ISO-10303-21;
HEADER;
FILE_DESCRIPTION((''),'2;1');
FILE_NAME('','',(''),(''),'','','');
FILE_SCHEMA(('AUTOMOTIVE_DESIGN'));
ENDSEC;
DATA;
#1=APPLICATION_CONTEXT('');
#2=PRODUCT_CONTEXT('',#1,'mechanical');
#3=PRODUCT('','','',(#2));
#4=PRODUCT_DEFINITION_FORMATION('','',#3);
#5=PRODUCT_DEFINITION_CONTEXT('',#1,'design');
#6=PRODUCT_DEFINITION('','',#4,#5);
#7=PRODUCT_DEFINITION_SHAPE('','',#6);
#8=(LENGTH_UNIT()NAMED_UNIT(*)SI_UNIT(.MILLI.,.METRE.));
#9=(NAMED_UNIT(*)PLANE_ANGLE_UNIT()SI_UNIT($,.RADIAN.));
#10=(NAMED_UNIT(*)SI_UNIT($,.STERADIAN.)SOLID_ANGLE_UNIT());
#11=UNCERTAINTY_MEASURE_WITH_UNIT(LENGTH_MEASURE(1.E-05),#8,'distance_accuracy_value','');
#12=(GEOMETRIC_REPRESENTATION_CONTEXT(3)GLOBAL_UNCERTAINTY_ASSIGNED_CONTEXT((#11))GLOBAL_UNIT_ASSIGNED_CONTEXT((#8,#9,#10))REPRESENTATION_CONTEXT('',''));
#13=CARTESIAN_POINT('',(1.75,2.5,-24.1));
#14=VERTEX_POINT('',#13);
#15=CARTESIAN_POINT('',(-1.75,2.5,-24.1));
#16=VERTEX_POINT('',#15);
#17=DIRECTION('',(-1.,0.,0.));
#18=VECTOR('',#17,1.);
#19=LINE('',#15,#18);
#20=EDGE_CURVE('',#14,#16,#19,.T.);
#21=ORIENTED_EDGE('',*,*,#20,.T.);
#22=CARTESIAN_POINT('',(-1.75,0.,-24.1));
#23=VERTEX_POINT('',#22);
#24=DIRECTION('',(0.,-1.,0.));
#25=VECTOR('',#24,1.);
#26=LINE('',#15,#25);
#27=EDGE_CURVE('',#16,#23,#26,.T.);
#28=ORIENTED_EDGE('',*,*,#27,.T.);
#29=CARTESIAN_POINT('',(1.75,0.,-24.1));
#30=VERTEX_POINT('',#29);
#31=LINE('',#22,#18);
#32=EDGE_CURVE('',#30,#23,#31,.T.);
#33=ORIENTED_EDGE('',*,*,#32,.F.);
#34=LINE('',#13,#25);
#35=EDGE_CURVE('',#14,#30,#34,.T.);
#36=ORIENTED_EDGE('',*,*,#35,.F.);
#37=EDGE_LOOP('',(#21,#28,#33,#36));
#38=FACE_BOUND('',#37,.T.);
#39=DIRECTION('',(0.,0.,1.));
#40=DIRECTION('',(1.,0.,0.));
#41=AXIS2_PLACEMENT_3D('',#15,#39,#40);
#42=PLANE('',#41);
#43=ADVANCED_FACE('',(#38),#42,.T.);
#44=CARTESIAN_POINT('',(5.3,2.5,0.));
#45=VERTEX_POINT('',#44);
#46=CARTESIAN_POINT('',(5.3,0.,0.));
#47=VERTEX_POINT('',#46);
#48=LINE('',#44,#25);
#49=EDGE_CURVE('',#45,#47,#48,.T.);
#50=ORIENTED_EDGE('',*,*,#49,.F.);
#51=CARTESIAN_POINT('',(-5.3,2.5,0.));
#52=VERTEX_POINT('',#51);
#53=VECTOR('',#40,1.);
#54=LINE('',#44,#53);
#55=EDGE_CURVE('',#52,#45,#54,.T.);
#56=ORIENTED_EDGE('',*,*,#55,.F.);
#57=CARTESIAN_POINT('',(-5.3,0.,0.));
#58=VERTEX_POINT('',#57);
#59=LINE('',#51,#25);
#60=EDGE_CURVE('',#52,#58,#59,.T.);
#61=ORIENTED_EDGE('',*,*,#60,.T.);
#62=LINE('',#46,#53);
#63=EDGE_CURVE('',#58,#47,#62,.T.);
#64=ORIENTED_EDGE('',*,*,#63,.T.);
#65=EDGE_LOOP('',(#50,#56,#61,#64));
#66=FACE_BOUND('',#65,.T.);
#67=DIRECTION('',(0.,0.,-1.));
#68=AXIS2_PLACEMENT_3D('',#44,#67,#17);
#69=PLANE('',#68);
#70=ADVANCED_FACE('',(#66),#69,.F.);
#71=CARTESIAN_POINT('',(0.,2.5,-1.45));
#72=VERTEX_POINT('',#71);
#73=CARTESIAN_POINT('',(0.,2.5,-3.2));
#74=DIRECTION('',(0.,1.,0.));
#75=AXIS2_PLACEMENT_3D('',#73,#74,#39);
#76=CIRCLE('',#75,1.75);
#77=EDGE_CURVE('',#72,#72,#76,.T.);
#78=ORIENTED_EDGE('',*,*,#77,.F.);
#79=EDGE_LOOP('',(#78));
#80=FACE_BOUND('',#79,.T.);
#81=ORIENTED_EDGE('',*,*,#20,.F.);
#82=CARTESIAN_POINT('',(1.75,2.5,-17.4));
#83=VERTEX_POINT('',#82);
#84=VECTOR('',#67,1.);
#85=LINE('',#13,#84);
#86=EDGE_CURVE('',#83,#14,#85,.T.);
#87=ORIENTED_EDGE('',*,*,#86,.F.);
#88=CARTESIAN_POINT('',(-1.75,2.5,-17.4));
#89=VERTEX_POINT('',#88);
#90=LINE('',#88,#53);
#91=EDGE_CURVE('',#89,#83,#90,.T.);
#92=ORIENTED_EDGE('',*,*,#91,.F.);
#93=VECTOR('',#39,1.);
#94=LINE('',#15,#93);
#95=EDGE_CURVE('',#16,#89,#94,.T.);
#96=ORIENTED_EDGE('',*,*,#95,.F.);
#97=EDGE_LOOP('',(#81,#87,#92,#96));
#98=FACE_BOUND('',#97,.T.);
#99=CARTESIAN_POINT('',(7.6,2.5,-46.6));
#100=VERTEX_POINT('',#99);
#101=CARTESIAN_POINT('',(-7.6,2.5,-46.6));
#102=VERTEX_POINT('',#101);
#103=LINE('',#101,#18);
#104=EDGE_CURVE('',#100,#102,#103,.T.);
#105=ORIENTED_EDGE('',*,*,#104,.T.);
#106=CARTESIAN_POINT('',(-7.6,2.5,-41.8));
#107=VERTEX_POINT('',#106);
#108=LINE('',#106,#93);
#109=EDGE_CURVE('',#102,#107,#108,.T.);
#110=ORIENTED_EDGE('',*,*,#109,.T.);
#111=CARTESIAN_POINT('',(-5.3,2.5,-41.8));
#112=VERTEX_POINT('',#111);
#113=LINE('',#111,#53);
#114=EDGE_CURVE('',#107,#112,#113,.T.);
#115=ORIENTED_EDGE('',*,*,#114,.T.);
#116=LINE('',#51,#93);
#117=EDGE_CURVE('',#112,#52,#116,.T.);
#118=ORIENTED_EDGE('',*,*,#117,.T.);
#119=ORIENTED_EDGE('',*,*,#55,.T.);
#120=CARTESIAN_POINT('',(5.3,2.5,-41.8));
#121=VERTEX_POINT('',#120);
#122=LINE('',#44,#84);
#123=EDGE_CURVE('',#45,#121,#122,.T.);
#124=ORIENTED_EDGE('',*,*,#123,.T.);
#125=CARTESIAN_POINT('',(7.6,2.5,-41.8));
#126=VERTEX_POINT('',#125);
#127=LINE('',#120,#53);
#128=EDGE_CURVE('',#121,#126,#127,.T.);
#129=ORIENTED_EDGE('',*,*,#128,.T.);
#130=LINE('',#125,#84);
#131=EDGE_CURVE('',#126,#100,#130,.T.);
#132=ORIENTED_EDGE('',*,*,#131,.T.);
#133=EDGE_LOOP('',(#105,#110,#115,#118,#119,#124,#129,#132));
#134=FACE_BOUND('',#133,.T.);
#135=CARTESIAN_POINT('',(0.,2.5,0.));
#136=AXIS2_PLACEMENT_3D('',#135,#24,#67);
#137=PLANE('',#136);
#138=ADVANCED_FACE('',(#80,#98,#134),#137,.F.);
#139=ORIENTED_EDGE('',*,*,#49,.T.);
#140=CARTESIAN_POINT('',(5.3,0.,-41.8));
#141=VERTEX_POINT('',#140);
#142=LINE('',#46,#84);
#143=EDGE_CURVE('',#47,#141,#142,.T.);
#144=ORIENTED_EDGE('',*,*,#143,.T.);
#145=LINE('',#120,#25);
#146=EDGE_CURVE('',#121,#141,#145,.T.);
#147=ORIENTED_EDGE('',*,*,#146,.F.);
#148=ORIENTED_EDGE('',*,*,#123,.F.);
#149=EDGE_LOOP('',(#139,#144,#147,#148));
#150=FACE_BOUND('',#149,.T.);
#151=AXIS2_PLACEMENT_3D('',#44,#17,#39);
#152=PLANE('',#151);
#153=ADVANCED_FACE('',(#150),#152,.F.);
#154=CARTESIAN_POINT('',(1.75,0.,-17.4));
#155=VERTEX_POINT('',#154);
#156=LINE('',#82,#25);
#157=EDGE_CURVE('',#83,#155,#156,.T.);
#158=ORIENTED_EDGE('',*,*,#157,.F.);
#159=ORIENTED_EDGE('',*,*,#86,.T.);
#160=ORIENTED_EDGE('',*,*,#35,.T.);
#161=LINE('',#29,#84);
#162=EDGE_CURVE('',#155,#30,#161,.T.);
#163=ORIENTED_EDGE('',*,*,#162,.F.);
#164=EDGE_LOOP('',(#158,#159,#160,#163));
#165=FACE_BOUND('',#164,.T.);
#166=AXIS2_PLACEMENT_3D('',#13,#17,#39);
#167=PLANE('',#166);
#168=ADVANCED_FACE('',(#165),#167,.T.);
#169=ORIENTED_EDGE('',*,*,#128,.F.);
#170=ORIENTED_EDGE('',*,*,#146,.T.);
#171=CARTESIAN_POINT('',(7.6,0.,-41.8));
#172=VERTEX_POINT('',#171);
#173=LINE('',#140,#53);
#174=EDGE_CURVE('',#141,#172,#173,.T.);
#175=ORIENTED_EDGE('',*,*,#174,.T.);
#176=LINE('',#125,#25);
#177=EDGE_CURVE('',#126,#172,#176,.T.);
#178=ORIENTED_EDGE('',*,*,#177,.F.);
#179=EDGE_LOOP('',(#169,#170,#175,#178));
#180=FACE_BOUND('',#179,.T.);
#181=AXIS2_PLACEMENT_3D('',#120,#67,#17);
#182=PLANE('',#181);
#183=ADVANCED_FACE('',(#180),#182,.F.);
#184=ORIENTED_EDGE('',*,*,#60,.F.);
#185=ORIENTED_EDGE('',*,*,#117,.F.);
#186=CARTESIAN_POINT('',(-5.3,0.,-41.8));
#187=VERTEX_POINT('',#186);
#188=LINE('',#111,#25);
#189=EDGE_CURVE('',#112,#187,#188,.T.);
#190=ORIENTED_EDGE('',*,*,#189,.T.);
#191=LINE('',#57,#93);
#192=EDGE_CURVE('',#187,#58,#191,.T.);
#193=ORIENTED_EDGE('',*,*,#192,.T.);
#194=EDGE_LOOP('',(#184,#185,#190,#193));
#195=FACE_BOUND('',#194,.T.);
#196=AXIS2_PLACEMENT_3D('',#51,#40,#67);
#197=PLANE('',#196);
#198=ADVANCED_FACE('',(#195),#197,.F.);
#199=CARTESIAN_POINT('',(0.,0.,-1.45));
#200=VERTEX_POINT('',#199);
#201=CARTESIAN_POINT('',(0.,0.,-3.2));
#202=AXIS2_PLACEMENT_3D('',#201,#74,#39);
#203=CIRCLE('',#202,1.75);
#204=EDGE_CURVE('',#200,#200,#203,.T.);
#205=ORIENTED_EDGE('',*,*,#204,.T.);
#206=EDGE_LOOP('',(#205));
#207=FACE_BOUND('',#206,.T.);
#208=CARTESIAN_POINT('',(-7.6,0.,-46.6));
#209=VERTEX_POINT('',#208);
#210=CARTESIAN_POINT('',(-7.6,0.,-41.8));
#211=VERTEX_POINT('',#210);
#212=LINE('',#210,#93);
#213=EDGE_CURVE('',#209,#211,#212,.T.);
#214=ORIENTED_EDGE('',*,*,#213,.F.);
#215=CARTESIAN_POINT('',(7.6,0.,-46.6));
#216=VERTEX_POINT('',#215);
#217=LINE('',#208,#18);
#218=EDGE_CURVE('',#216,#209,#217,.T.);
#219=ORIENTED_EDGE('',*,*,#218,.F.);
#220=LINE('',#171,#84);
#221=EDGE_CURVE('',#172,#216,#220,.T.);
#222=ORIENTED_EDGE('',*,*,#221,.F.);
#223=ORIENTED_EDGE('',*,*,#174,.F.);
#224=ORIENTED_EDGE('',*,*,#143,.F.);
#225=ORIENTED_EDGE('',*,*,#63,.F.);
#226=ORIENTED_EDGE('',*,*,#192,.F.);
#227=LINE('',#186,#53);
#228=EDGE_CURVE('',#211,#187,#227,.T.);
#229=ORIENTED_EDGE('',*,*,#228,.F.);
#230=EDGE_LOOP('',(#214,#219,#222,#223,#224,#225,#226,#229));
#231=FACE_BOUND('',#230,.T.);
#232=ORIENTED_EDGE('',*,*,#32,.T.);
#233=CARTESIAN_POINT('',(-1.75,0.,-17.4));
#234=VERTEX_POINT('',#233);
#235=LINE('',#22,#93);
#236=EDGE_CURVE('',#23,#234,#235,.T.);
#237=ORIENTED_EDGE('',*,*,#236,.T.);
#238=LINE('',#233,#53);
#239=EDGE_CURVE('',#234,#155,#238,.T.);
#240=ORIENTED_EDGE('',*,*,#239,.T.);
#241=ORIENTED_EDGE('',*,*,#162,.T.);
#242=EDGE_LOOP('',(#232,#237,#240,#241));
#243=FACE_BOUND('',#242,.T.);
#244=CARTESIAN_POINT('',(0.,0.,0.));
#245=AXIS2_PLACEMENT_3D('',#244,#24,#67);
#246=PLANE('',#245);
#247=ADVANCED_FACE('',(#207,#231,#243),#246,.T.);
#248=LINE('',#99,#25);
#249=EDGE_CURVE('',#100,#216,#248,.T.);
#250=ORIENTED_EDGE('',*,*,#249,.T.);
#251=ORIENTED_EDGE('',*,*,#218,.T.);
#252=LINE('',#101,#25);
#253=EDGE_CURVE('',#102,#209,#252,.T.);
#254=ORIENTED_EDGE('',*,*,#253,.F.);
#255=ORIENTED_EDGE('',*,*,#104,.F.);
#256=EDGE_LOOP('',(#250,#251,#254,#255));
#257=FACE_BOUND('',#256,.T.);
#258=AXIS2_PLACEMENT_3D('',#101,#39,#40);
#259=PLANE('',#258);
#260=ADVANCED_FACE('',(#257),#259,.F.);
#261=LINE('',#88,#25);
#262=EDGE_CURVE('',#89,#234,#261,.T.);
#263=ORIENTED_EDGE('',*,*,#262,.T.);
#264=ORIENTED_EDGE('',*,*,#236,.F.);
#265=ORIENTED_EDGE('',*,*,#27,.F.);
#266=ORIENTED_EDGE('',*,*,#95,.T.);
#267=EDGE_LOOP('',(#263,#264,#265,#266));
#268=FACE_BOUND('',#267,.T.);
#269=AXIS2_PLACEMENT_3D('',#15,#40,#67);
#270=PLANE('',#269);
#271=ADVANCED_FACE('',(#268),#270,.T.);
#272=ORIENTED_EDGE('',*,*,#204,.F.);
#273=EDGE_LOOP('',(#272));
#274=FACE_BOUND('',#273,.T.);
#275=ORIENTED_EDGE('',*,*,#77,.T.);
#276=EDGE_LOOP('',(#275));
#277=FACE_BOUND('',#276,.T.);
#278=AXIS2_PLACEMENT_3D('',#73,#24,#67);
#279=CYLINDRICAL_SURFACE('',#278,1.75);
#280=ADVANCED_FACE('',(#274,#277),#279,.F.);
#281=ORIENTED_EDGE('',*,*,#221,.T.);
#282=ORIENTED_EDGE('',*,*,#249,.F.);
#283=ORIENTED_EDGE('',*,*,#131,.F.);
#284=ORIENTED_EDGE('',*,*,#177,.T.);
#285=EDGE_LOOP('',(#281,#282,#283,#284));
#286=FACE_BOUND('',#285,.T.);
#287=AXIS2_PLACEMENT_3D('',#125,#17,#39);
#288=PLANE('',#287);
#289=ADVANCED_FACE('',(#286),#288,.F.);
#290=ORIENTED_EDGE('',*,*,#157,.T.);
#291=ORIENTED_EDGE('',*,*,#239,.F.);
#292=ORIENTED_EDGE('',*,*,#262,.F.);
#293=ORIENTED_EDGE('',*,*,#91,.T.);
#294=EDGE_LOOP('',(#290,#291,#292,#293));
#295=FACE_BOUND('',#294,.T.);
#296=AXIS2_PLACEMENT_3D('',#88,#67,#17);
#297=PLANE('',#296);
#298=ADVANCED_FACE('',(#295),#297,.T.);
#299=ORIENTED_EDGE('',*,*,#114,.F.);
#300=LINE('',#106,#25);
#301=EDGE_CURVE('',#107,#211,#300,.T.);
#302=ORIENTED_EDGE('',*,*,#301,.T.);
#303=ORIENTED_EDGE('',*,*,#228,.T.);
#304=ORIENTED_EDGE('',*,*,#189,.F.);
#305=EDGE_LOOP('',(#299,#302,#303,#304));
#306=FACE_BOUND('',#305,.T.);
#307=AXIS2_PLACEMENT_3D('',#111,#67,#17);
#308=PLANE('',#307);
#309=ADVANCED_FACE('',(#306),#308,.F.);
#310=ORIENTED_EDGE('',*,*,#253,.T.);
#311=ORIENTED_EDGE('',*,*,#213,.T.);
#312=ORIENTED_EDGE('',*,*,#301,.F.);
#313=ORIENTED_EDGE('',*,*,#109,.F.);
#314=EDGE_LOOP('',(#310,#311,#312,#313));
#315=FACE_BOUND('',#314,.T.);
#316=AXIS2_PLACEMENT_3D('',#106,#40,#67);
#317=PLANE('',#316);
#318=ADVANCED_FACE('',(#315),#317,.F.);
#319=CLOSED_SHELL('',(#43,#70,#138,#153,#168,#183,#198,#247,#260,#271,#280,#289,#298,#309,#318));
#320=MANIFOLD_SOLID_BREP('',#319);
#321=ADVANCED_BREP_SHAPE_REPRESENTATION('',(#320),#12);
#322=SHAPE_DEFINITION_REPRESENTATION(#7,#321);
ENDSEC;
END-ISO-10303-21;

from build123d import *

# Parameters (mm, degrees)
BOSS_EXTRUDE1_DEPTH = 2.5
SKETCH2_R           = 1.75
SKETCH2_W           = 3.5
SKETCH2_H           = 6.7
CUT_EXTRUDE1_DEPTH  = 2.5


with BuildPart() as part:
    # Sketch1 → Boss-Extrude1 (new body)
    with BuildSketch(Plane(origin=(0, 0, 0), x_dir=(1, 0, 0), z_dir=(0, 1, 0))):
        Polygon((5.3, 0), (-5.3, 0), (-5.3, 41.8), (-7.6, 41.8), (-7.6, 46.6), (7.6, 46.6), (7.6, 41.8), (5.3, 41.8), align=None)
    extrude(amount=BOSS_EXTRUDE1_DEPTH)

    # Sketch2 → Cut-Extrude1 (cut)
    with BuildSketch(Plane(origin=(0, 0, 0), x_dir=(1, 0, 0), z_dir=(0, 1, 0))):
        with Locations((0, 3.2)):
            Circle(SKETCH2_R)
        with Locations((0, 20.75)):
            Rectangle(SKETCH2_W, SKETCH2_H)
    extrude(amount=CUT_EXTRUDE1_DEPTH, mode=Mode.SUBTRACT)


solid = part.part
